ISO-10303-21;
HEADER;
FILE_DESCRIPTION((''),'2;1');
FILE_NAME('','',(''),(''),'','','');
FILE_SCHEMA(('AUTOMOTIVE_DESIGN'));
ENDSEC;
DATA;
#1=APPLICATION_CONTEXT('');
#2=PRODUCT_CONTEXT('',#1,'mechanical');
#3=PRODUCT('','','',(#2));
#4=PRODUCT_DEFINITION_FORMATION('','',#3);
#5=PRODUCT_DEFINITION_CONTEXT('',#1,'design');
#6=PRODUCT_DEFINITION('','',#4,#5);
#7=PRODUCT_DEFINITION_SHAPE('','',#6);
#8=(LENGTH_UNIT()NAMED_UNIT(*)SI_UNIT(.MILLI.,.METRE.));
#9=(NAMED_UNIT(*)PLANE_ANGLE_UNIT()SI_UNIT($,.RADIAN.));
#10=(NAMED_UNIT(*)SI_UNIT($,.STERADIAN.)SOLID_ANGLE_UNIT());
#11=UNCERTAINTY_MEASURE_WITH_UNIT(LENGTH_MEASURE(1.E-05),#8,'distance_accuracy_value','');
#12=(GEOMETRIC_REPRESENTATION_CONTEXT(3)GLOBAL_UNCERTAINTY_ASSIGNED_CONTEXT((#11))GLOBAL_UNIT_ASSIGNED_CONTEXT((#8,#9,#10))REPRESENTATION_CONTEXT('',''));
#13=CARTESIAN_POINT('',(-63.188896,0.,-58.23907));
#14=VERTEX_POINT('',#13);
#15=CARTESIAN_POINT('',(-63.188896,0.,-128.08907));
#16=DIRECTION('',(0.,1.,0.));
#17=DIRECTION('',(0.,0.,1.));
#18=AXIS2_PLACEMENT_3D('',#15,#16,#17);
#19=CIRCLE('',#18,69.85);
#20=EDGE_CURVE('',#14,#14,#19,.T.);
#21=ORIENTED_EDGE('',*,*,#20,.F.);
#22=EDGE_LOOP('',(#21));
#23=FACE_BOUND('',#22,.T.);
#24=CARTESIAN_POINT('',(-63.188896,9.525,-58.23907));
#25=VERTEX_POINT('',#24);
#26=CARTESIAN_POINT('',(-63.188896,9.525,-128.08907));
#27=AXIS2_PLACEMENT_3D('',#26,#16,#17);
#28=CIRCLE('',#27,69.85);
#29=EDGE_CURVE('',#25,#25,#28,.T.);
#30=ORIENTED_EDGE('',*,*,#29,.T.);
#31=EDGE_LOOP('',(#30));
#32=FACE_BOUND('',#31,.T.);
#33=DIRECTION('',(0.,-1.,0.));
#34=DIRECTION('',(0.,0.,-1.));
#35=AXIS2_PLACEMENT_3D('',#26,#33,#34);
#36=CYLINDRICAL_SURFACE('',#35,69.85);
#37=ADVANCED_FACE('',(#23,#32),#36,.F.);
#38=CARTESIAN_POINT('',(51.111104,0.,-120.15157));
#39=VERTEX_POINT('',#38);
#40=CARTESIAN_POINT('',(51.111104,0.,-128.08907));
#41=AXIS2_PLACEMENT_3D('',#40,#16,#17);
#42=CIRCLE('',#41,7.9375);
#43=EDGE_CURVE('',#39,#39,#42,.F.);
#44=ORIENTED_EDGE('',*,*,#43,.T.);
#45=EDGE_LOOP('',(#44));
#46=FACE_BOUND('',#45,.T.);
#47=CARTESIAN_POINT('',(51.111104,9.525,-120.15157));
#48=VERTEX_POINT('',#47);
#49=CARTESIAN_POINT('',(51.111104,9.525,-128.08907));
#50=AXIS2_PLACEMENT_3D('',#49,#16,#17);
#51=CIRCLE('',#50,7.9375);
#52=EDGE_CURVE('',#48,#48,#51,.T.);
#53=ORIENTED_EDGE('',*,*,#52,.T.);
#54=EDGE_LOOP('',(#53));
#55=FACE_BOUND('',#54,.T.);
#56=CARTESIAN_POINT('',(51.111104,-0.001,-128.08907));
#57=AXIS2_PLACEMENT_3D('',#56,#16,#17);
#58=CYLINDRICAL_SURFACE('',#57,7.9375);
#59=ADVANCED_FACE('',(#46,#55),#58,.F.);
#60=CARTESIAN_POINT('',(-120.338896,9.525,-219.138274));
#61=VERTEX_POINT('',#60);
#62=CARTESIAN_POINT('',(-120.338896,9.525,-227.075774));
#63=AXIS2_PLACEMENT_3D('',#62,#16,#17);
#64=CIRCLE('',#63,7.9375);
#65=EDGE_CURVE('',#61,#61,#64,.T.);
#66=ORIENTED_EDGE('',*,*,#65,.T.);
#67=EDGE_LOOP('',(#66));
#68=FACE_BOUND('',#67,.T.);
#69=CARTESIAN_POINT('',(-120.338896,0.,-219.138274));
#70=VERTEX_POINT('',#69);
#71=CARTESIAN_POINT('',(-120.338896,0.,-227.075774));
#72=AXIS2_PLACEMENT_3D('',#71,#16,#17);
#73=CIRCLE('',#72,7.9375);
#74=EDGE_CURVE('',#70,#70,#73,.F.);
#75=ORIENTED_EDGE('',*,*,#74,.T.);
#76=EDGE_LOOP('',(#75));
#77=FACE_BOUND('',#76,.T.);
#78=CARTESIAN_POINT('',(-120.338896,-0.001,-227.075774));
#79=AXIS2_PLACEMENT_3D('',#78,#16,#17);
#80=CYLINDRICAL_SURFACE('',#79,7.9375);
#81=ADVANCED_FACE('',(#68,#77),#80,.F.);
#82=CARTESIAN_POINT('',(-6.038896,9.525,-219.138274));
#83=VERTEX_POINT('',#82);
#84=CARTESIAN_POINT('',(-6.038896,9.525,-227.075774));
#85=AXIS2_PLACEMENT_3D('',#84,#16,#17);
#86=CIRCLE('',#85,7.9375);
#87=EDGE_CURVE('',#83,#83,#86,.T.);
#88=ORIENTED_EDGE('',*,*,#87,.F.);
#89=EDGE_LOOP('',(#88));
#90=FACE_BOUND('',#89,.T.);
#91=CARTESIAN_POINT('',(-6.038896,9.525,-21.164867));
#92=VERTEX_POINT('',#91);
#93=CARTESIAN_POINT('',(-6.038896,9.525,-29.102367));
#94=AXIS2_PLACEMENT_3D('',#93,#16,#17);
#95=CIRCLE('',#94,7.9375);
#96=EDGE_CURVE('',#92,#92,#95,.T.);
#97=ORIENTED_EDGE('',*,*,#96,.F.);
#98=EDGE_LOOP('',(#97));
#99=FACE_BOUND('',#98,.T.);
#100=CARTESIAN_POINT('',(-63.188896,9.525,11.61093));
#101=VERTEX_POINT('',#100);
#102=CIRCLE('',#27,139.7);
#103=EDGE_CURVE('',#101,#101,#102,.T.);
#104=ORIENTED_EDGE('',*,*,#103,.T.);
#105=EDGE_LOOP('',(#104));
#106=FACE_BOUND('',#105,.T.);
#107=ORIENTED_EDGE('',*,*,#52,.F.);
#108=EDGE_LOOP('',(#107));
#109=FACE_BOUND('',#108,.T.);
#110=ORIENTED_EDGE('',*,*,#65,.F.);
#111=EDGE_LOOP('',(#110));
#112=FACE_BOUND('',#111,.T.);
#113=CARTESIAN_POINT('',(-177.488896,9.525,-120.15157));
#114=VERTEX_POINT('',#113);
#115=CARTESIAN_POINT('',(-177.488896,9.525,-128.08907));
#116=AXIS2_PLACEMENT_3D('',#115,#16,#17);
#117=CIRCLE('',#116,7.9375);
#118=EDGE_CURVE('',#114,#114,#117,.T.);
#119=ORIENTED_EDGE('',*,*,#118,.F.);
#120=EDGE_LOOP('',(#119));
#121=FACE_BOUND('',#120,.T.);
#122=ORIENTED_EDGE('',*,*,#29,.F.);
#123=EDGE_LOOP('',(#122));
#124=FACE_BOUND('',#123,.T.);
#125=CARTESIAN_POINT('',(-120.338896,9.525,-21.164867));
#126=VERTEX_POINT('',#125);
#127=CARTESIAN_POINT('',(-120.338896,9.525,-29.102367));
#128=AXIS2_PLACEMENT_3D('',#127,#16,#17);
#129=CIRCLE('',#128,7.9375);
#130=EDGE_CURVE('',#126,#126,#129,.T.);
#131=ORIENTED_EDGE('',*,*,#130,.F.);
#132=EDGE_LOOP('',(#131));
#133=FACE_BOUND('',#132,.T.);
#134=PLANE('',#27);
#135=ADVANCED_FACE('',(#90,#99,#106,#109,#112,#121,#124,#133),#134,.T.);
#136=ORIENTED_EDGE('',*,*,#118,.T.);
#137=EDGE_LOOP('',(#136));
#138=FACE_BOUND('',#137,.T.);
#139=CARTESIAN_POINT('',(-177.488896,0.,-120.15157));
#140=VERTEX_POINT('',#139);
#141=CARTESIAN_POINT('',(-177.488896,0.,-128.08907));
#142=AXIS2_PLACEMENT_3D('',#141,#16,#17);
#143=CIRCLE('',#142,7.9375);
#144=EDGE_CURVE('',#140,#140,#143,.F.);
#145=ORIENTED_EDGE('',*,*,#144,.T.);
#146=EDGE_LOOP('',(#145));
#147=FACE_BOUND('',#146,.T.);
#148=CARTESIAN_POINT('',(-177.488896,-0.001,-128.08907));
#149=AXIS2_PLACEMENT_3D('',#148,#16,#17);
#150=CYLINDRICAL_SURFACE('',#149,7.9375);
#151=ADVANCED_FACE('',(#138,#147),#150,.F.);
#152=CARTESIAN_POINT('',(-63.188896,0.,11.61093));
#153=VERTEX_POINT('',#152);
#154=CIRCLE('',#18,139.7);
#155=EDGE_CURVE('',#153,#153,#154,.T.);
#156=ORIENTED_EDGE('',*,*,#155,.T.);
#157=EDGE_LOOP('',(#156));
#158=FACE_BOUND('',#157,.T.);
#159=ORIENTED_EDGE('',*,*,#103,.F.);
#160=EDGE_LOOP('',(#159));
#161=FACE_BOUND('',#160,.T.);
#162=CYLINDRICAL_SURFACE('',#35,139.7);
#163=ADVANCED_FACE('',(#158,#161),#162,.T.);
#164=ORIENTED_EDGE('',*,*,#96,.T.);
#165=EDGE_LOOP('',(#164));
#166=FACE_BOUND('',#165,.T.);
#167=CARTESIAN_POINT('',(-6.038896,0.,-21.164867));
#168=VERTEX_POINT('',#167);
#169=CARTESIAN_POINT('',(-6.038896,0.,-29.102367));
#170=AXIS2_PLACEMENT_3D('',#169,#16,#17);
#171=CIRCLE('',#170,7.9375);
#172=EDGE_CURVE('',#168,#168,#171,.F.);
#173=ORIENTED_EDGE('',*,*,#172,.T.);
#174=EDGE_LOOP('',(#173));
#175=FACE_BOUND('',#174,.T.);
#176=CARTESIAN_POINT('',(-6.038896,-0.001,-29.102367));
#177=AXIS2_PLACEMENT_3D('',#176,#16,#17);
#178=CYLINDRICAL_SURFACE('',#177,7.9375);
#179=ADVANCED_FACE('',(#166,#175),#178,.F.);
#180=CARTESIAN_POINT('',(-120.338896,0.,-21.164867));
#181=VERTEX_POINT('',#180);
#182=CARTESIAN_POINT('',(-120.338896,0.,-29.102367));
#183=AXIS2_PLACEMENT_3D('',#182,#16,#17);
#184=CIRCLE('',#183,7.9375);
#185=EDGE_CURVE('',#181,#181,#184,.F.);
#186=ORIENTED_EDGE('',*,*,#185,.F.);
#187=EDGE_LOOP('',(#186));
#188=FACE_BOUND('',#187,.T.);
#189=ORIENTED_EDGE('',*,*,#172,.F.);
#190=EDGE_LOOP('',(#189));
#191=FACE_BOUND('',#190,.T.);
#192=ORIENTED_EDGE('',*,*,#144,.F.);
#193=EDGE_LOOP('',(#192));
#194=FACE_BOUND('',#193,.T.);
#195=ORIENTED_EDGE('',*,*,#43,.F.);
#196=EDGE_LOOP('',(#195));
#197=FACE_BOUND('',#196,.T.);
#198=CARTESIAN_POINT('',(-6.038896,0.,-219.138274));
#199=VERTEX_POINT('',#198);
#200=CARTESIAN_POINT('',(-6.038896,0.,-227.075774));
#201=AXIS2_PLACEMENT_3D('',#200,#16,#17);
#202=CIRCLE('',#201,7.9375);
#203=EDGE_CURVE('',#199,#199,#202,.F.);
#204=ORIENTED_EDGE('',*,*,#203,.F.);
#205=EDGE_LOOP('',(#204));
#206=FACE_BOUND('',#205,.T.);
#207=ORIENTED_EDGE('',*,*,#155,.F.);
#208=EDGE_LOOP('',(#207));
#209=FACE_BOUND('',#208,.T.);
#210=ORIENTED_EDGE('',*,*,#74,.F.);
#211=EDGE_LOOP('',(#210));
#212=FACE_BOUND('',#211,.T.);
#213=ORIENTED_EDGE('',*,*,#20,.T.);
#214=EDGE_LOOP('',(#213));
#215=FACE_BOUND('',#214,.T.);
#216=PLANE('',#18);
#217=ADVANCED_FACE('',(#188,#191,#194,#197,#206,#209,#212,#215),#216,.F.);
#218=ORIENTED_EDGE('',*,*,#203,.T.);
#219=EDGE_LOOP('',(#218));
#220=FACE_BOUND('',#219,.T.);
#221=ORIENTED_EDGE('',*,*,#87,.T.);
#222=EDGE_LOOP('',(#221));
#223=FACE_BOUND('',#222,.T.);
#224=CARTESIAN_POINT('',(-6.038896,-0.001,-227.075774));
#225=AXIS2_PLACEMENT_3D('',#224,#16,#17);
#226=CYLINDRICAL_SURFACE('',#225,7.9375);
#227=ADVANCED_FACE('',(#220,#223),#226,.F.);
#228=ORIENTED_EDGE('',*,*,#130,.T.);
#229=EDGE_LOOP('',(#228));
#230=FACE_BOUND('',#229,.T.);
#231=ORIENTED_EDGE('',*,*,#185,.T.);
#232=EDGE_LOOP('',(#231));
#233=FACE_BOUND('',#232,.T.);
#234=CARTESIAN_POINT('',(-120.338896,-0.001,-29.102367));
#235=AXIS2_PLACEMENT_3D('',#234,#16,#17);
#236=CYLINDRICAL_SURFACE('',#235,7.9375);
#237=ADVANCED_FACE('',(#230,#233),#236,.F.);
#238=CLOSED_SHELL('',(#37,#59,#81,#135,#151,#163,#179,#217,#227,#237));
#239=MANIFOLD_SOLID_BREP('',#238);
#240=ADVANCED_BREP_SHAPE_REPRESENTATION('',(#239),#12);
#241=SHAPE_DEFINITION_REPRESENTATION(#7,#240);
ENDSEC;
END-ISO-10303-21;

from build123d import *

# Parameters (mm, degrees)
SKETCH1_R           = 139.7
SKETCH1_R_2         = 69.85
BOSS_EXTRUDE1_DEPTH = 9.525
CUT_EXTRUDE1_REACH  = 11.525
SKETCH2_R           = 7.9375


with BuildPart() as part:
    # Sketch1 → Boss-Extrude1 (new body)
    with BuildSketch(Plane(origin=(0, 0, 0), x_dir=(1, 0, 0), z_dir=(0, 1, 0))):
        with Locations((-63.18889636, 128.089070316)):
            Circle(SKETCH1_R)
        with Locations((-63.18889636, 128.089070316)):
            Circle(SKETCH1_R_2, mode=Mode.SUBTRACT)
    extrude(amount=BOSS_EXTRUDE1_DEPTH)

    # Sketch2 → Cut-Extrude1 (cut, up to next)
    with BuildSketch(Plane(origin=(0, 9.525, 0), x_dir=(1, 0, 0), z_dir=(0, 1, 0)), mode=Mode.PRIVATE) as cut_extrude1_sk1:
        with Locations((51.11110364, 128.089070316)):
            Circle(SKETCH2_R)
    cut_extrude1_tool1 = extrude(cut_extrude1_sk1.sketch, amount=-CUT_EXTRUDE1_REACH, mode=Mode.PRIVATE) & part.part
    add(cut_extrude1_tool1.solids().sort_by_distance((51.111104, 9.525, -128.08907))[0], mode=Mode.SUBTRACT)
    # Sketch2 → Cut-Extrude1 (cut, up to next)
    with BuildSketch(Plane(origin=(0, 9.525, 0), x_dir=(1, 0, 0), z_dir=(0, 1, 0)), mode=Mode.PRIVATE) as cut_extrude1_sk2:
        with Locations((-6.03889636, 227.075773969)):
            Circle(SKETCH2_R)
    cut_extrude1_tool2 = extrude(cut_extrude1_sk2.sketch, amount=-CUT_EXTRUDE1_REACH, mode=Mode.PRIVATE) & part.part
    add(cut_extrude1_tool2.solids().sort_by_distance((-6.038896, 9.525, -227.075774))[0], mode=Mode.SUBTRACT)
    # Sketch2 → Cut-Extrude1 (cut, up to next)
    with BuildSketch(Plane(origin=(0, 9.525, 0), x_dir=(1, 0, 0), z_dir=(0, 1, 0)), mode=Mode.PRIVATE) as cut_extrude1_sk3:
        with Locations((-120.33889636, 227.075773969)):
            Circle(SKETCH2_R)
    cut_extrude1_tool3 = extrude(cut_extrude1_sk3.sketch, amount=-CUT_EXTRUDE1_REACH, mode=Mode.PRIVATE) & part.part
    add(cut_extrude1_tool3.solids().sort_by_distance((-120.338896, 9.525, -227.075774))[0], mode=Mode.SUBTRACT)
    # Sketch2 → Cut-Extrude1 (cut, up to next)
    with BuildSketch(Plane(origin=(0, 9.525, 0), x_dir=(1, 0, 0), z_dir=(0, 1, 0)), mode=Mode.PRIVATE) as cut_extrude1_sk4:
        with Locations((-177.48889636, 128.089070316)):
            Circle(SKETCH2_R)
    cut_extrude1_tool4 = extrude(cut_extrude1_sk4.sketch, amount=-CUT_EXTRUDE1_REACH, mode=Mode.PRIVATE) & part.part
    add(cut_extrude1_tool4.solids().sort_by_distance((-177.488896, 9.525, -128.08907))[0], mode=Mode.SUBTRACT)
    # Sketch2 → Cut-Extrude1 (cut, up to next)
    with BuildSketch(Plane(origin=(0, 9.525, 0), x_dir=(1, 0, 0), z_dir=(0, 1, 0)), mode=Mode.PRIVATE) as cut_extrude1_sk5:
        with Locations((-120.33889636, 29.102366663)):
            Circle(SKETCH2_R)
    cut_extrude1_tool5 = extrude(cut_extrude1_sk5.sketch, amount=-CUT_EXTRUDE1_REACH, mode=Mode.PRIVATE) & part.part
    add(cut_extrude1_tool5.solids().sort_by_distance((-120.338896, 9.525, -29.102367))[0], mode=Mode.SUBTRACT)
    # Sketch2 → Cut-Extrude1 (cut, up to next)
    with BuildSketch(Plane(origin=(0, 9.525, 0), x_dir=(1, 0, 0), z_dir=(0, 1, 0)), mode=Mode.PRIVATE) as cut_extrude1_sk6:
        with Locations((-6.03889636, 29.102366663)):
            Circle(SKETCH2_R)
    cut_extrude1_tool6 = extrude(cut_extrude1_sk6.sketch, amount=-CUT_EXTRUDE1_REACH, mode=Mode.PRIVATE) & part.part
    add(cut_extrude1_tool6.solids().sort_by_distance((-6.038896, 9.525, -29.102367))[0], mode=Mode.SUBTRACT)


solid = part.part
